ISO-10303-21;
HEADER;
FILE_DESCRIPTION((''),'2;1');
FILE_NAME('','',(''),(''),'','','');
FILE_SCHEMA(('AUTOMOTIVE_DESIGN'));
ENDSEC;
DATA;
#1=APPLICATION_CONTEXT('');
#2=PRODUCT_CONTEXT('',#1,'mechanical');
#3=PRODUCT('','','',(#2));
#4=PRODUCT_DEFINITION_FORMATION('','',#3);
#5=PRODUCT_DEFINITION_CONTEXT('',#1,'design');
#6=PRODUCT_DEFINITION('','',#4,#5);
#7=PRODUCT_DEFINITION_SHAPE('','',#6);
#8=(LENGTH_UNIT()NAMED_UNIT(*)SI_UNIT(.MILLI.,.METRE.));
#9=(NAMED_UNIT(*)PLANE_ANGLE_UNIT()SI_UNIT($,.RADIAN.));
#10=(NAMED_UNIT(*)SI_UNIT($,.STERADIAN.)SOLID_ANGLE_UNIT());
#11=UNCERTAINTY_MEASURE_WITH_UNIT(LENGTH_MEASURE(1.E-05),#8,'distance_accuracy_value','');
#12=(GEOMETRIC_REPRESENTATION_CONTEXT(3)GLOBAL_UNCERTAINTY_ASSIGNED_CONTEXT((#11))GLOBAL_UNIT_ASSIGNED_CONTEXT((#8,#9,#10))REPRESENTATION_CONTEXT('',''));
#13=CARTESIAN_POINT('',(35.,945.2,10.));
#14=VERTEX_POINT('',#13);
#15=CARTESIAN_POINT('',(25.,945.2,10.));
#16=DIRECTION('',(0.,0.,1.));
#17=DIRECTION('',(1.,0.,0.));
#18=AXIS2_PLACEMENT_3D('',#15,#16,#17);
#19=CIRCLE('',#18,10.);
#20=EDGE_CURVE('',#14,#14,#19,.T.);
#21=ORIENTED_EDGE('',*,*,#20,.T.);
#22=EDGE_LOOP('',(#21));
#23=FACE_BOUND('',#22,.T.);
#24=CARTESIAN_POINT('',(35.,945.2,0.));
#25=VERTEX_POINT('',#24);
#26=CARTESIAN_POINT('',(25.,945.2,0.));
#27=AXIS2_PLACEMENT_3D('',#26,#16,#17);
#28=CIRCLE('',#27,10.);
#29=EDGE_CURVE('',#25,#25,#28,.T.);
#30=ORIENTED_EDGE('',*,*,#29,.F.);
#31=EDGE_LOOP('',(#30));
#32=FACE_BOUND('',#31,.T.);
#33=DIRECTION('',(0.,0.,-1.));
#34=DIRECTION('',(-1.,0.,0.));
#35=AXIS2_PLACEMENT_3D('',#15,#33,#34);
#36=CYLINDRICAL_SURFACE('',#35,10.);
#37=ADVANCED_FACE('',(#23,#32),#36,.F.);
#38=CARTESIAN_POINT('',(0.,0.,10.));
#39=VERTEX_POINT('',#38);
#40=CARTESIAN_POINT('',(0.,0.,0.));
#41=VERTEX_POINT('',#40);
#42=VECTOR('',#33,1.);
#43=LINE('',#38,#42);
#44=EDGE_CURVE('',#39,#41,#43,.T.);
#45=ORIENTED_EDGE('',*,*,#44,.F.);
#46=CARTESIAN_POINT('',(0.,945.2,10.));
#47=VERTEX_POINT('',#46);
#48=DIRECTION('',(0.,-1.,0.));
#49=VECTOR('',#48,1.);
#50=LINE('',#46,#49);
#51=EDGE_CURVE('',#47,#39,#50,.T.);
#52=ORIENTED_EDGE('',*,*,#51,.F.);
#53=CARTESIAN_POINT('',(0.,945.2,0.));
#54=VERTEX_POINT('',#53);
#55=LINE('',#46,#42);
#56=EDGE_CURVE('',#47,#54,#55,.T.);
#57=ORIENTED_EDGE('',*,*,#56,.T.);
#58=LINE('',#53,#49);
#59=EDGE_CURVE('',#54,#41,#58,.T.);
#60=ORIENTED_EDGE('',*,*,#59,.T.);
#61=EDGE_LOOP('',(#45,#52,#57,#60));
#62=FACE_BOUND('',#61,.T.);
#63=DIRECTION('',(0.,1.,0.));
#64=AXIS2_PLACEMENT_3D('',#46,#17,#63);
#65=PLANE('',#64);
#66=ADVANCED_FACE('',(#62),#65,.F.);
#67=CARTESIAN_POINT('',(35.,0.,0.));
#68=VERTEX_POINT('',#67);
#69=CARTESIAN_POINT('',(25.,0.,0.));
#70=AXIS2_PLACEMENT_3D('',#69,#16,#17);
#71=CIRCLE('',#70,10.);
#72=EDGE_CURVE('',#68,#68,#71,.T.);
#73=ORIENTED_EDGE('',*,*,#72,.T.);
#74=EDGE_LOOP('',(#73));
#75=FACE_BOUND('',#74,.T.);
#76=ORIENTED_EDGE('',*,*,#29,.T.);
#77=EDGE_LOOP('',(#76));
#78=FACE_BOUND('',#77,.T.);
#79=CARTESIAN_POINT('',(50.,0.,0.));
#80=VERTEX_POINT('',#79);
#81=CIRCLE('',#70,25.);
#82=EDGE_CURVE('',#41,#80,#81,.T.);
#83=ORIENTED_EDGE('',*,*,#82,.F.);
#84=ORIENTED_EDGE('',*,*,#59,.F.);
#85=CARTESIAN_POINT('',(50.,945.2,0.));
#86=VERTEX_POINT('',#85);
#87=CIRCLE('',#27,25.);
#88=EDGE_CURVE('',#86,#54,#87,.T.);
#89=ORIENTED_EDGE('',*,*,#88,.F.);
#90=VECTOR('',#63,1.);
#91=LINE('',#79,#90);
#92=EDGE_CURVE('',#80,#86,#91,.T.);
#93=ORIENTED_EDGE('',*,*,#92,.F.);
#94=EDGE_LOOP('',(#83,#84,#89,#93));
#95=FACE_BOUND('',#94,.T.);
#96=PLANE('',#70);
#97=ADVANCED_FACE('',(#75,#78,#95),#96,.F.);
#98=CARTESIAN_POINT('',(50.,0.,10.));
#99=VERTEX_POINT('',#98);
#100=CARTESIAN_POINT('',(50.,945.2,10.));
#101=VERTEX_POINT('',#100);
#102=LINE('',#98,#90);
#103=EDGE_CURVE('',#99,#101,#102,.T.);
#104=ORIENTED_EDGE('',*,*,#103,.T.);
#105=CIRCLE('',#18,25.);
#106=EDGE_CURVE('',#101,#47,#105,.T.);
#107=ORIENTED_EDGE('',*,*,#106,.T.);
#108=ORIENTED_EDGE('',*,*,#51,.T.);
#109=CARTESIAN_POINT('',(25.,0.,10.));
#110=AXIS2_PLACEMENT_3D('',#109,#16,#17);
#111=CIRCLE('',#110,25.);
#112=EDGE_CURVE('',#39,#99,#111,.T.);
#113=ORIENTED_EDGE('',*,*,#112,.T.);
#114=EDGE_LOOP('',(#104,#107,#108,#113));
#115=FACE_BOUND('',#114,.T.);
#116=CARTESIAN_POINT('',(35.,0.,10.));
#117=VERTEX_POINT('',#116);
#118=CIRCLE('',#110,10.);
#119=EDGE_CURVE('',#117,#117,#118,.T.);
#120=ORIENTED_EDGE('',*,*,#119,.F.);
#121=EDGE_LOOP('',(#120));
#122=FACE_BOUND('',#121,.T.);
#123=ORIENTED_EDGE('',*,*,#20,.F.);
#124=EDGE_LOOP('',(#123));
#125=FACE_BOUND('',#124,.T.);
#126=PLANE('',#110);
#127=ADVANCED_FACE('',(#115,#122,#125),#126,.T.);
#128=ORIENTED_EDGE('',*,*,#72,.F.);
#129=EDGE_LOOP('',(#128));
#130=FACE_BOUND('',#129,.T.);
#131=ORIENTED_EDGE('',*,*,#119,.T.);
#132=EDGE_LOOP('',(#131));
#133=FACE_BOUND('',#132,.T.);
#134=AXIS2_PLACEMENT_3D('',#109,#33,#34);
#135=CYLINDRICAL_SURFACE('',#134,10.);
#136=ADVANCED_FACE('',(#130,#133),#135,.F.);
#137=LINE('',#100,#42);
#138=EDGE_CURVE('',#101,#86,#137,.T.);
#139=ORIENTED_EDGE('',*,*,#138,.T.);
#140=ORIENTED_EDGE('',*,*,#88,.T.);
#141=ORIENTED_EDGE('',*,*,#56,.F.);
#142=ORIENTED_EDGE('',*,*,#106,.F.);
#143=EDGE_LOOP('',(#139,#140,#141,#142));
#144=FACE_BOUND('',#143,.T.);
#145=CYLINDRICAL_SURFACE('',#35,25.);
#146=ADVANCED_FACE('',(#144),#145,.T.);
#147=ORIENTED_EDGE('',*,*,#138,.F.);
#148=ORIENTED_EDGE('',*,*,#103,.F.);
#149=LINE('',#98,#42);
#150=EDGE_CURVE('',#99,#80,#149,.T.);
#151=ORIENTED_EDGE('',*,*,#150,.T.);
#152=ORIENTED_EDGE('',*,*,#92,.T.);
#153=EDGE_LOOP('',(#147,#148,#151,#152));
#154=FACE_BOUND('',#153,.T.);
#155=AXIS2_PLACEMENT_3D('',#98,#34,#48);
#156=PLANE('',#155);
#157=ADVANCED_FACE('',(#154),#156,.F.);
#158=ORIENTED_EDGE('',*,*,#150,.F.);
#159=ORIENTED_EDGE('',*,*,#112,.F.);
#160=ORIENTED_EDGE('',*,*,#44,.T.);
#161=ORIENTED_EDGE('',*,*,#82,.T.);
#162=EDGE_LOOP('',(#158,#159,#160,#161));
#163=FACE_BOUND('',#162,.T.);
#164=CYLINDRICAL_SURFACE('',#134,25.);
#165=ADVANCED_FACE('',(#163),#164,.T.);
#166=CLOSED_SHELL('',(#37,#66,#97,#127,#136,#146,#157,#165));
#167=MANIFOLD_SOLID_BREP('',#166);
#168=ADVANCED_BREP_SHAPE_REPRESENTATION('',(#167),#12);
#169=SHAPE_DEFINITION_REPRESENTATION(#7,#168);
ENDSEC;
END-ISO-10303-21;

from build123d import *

# Parameters (mm, degrees)
CROQUIS1_R              = 10
SALIENTE_EXTRUIR1_DEPTH = 10


with BuildPart() as part:
    # Croquis1 → Saliente-Extruir1 (new body)
    with BuildSketch(Plane.XY):
        with BuildLine():
            Line((50, 0), (50, 945.2))
            ThreePointArc((50, 945.2), (25, 970.2), (0, 945.2))
            Line((0, 945.2), (0, 0))
            ThreePointArc((0, 0), (25, -25), (50, 0))
        make_face()
        with Locations((25, 945.2)):
            Circle(CROQUIS1_R, mode=Mode.SUBTRACT)
        with Locations((25, 0)):
            Circle(CROQUIS1_R, mode=Mode.SUBTRACT)
    extrude(amount=SALIENTE_EXTRUIR1_DEPTH)


solid = part.part
